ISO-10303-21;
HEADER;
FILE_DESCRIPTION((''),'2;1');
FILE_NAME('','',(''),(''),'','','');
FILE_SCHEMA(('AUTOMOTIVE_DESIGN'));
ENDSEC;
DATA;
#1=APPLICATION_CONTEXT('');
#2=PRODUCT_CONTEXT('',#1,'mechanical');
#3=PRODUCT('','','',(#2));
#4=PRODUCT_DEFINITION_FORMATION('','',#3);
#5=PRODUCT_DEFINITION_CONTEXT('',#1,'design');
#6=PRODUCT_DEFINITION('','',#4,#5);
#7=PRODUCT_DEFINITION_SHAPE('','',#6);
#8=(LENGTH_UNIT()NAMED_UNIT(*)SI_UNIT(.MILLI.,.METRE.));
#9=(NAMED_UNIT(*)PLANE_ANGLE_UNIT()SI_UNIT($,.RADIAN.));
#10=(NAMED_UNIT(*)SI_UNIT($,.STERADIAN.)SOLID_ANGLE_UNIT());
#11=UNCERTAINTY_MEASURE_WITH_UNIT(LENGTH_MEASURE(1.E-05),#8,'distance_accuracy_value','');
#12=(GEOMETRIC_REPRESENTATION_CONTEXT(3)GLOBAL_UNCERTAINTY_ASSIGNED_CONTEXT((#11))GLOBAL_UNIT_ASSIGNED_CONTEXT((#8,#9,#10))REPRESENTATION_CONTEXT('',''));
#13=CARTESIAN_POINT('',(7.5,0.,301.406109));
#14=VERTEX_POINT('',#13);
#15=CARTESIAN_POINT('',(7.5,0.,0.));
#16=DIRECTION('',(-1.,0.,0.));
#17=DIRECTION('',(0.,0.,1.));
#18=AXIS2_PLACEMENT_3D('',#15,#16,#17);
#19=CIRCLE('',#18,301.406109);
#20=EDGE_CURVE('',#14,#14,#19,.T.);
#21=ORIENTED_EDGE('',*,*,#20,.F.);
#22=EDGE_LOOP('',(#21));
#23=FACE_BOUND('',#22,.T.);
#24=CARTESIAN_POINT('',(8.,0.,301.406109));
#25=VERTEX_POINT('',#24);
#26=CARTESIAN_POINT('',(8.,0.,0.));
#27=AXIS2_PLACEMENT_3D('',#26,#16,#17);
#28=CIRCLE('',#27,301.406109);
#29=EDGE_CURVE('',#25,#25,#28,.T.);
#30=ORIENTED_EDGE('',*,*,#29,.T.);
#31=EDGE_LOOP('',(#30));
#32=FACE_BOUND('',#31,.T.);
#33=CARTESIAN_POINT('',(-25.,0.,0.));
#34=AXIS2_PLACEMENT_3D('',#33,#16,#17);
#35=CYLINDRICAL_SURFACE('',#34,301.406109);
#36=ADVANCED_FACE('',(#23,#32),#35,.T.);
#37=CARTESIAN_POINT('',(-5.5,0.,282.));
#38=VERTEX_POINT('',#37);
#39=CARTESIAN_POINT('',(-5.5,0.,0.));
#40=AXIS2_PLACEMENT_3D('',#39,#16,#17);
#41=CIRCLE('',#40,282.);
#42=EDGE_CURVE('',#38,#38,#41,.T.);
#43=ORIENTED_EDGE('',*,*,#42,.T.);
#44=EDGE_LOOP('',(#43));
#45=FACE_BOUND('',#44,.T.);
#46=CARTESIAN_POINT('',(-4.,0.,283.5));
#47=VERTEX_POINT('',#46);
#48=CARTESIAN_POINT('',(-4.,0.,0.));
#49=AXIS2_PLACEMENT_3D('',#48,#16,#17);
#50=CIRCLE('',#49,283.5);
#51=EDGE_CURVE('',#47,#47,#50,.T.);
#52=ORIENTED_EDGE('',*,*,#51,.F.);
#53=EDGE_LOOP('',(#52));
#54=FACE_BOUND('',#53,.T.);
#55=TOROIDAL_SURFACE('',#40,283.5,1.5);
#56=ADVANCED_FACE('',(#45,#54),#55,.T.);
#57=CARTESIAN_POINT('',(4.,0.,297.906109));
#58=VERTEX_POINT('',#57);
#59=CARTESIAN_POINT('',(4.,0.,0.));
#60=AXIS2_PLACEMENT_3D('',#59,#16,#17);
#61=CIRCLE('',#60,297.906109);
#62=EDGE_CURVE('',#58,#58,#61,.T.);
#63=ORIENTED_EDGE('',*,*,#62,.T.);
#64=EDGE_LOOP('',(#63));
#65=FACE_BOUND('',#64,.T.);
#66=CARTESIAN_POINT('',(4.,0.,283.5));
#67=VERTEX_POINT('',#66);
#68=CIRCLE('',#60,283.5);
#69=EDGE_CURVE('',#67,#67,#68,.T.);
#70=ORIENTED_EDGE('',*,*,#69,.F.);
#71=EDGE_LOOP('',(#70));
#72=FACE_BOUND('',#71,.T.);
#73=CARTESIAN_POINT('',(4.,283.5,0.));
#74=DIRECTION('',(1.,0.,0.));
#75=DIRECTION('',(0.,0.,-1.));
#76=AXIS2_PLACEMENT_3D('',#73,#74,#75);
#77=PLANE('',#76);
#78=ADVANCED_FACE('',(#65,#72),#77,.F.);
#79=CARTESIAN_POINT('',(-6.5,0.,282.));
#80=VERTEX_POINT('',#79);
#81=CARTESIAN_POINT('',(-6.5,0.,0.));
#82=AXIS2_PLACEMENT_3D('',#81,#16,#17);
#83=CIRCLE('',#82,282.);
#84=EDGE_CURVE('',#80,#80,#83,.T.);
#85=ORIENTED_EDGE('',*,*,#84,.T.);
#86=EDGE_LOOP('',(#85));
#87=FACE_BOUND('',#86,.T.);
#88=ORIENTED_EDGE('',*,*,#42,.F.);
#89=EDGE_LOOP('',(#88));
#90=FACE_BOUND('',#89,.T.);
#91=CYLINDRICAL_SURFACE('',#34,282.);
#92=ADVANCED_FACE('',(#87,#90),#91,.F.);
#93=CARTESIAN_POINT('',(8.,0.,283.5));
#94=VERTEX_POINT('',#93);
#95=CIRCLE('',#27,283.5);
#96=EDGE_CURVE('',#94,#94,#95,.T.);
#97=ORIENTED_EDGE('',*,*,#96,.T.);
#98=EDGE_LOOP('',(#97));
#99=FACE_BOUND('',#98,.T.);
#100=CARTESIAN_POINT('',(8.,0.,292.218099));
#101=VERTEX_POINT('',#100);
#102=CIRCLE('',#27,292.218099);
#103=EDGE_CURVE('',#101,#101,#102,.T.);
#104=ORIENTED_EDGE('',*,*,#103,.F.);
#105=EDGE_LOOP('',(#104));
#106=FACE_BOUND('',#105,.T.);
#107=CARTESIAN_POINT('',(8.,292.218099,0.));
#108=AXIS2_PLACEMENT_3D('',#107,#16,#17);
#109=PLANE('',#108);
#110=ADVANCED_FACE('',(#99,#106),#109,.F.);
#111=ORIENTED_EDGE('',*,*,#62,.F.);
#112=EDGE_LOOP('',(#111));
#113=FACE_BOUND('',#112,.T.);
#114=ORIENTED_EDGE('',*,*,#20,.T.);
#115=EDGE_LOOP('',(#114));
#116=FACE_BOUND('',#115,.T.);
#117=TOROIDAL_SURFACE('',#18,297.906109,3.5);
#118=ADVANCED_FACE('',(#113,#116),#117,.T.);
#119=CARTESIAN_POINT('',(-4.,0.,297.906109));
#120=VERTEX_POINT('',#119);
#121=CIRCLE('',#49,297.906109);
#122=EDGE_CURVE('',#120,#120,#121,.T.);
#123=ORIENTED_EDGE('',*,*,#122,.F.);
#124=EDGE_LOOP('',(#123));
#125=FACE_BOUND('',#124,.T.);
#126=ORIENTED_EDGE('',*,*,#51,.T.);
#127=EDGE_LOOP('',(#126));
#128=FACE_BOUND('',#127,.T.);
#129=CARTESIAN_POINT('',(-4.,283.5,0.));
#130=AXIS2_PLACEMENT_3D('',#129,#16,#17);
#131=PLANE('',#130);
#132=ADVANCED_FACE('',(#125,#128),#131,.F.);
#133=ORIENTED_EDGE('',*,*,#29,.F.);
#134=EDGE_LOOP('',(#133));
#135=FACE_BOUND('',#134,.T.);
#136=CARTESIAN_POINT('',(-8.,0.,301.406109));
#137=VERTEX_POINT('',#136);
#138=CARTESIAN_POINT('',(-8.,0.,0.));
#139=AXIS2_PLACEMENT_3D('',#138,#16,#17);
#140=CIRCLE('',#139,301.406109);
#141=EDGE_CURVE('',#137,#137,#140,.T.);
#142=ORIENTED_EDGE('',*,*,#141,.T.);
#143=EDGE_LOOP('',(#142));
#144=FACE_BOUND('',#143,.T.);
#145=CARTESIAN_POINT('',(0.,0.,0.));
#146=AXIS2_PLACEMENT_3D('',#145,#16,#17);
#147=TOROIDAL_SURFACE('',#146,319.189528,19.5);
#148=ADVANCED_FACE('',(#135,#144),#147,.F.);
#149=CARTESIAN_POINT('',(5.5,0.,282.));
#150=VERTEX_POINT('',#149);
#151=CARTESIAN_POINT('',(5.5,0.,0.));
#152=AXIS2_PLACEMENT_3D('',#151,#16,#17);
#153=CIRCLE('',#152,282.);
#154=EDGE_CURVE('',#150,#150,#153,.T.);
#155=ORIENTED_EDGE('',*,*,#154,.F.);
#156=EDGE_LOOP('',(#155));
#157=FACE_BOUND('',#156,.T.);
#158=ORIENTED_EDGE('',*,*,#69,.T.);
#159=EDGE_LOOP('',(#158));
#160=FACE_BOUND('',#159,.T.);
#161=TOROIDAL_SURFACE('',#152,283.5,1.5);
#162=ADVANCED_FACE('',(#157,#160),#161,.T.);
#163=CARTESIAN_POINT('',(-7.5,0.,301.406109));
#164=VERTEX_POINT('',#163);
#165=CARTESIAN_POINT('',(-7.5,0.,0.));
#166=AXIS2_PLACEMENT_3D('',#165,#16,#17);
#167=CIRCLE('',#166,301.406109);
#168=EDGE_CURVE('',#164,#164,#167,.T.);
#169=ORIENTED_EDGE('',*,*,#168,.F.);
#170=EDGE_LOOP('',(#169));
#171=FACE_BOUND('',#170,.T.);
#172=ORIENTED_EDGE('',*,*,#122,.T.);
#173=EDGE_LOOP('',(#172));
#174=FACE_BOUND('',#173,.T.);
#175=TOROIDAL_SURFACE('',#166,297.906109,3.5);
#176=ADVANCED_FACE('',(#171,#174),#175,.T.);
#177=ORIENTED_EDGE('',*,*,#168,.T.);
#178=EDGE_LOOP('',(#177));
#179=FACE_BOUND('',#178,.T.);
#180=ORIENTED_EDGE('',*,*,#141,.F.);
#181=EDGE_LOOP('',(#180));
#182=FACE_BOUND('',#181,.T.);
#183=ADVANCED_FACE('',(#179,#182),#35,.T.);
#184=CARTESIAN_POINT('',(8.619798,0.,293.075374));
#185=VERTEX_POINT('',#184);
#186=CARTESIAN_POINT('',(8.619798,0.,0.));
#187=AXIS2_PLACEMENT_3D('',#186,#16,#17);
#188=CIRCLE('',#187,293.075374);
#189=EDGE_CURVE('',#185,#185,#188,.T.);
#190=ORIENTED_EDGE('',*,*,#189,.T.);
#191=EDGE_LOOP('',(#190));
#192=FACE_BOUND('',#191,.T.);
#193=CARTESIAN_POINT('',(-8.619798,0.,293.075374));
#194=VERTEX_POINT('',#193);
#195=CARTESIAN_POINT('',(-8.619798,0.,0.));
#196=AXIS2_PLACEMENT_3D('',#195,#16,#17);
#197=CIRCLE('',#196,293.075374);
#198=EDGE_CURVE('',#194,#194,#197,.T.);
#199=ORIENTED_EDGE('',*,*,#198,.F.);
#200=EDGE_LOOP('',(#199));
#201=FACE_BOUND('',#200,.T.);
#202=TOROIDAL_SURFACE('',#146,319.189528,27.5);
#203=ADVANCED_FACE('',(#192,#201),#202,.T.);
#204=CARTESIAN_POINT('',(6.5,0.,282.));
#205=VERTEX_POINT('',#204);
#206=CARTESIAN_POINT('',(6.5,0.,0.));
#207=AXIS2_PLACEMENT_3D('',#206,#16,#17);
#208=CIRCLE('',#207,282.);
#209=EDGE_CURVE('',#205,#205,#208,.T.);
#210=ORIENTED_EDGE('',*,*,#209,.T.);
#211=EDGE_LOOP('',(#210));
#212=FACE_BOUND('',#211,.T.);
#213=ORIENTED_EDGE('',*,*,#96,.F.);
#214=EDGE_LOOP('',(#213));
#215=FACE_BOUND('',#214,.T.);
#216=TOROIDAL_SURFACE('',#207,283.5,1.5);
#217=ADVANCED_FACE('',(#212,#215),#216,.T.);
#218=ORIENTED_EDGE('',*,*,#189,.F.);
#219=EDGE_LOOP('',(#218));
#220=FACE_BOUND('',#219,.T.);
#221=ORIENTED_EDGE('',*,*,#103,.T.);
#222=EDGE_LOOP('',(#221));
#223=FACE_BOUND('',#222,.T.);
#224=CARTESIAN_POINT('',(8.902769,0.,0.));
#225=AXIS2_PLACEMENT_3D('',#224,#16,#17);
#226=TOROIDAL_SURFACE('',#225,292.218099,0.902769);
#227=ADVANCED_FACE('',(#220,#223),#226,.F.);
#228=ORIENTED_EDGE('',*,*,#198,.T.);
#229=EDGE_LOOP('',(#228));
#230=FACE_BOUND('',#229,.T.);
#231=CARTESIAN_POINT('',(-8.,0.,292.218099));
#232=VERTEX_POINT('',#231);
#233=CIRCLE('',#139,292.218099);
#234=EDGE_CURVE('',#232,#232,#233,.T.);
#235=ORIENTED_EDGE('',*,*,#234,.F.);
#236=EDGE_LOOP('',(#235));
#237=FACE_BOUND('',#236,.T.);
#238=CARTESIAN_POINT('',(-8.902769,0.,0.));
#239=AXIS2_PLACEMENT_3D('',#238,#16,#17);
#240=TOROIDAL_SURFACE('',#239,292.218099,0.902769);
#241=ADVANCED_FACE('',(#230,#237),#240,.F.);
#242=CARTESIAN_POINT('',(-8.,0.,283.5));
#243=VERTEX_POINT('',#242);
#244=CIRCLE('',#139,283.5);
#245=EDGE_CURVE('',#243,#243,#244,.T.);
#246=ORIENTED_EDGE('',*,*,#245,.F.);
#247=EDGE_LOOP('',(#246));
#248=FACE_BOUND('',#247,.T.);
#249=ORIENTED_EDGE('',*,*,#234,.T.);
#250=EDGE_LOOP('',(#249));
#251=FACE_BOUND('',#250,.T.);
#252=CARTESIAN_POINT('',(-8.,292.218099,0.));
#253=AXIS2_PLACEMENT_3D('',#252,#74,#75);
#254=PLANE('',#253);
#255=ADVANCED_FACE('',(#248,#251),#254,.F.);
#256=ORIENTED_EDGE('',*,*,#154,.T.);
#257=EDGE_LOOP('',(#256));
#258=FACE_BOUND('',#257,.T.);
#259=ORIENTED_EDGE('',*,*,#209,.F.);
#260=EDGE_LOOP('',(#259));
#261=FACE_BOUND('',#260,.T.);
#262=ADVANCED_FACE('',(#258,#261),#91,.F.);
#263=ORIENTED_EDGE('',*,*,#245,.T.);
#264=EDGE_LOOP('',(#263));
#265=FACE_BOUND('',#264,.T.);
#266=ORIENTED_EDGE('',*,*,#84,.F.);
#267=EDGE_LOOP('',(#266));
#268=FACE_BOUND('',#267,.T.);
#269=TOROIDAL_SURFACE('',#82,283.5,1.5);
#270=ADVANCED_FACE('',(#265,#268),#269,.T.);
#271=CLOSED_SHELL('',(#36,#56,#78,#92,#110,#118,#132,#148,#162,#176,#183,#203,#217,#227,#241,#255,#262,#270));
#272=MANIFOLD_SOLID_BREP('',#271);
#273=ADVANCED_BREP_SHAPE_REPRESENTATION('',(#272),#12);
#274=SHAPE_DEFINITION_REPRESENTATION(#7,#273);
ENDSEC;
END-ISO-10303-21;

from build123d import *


with BuildPart() as part:
    # Эскиз1 → Повернуть1 (revolve)
    with BuildSketch(Plane.XY):
        with BuildLine():
            Line((-8, 292.218099488), (-8, 283.5))
            ThreePointArc((-8, 283.5), (-7.560660172, 282.439339828), (-6.5, 282))
            Line((-6.5, 282), (-5.5, 282))
            ThreePointArc((-5.5, 282), (-4.439339828, 282.439339828), (-4, 283.5))
            Line((-4, 283.5), (-4, 297.906109056))
            ThreePointArc((-4, 297.906109056), (-5.025126266, 300.38098279), (-7.5, 301.406109056))
            Line((-7.5, 301.406109056), (-8, 301.406109056))
            ThreePointArc((-8, 301.406109056), (0, 338.6895283), (8, 301.406109056))
            Line((8, 301.406109056), (7.5, 301.406109056))
            ThreePointArc((7.5, 301.406109056), (5.025126266, 300.38098279), (4, 297.906109056))
            Line((4, 297.906109056), (4, 283.5))
            ThreePointArc((4, 283.5), (4.439339828, 282.439339828), (5.5, 282))
            Line((5.5, 282), (6.5, 282))
            ThreePointArc((6.5, 282), (7.560660172, 282.439339828), (8, 283.5))
            Line((8, 283.5), (8, 292.218099488))
            ThreePointArc((8, 292.218099488), (8.171178588, 292.747029702), (8.619798245, 293.075373551))
            ThreePointArc((8.619798245, 293.075373551), (0, 346.6895283), (-8.619798245, 293.075373551))
            ThreePointArc((-8.619798245, 293.075373551), (-8.171178588, 292.747029702), (-8, 292.218099488))
        make_face()
    revolve(axis=Axis((-25, 0, 0), (1, 0, 0)))


solid = part.part
